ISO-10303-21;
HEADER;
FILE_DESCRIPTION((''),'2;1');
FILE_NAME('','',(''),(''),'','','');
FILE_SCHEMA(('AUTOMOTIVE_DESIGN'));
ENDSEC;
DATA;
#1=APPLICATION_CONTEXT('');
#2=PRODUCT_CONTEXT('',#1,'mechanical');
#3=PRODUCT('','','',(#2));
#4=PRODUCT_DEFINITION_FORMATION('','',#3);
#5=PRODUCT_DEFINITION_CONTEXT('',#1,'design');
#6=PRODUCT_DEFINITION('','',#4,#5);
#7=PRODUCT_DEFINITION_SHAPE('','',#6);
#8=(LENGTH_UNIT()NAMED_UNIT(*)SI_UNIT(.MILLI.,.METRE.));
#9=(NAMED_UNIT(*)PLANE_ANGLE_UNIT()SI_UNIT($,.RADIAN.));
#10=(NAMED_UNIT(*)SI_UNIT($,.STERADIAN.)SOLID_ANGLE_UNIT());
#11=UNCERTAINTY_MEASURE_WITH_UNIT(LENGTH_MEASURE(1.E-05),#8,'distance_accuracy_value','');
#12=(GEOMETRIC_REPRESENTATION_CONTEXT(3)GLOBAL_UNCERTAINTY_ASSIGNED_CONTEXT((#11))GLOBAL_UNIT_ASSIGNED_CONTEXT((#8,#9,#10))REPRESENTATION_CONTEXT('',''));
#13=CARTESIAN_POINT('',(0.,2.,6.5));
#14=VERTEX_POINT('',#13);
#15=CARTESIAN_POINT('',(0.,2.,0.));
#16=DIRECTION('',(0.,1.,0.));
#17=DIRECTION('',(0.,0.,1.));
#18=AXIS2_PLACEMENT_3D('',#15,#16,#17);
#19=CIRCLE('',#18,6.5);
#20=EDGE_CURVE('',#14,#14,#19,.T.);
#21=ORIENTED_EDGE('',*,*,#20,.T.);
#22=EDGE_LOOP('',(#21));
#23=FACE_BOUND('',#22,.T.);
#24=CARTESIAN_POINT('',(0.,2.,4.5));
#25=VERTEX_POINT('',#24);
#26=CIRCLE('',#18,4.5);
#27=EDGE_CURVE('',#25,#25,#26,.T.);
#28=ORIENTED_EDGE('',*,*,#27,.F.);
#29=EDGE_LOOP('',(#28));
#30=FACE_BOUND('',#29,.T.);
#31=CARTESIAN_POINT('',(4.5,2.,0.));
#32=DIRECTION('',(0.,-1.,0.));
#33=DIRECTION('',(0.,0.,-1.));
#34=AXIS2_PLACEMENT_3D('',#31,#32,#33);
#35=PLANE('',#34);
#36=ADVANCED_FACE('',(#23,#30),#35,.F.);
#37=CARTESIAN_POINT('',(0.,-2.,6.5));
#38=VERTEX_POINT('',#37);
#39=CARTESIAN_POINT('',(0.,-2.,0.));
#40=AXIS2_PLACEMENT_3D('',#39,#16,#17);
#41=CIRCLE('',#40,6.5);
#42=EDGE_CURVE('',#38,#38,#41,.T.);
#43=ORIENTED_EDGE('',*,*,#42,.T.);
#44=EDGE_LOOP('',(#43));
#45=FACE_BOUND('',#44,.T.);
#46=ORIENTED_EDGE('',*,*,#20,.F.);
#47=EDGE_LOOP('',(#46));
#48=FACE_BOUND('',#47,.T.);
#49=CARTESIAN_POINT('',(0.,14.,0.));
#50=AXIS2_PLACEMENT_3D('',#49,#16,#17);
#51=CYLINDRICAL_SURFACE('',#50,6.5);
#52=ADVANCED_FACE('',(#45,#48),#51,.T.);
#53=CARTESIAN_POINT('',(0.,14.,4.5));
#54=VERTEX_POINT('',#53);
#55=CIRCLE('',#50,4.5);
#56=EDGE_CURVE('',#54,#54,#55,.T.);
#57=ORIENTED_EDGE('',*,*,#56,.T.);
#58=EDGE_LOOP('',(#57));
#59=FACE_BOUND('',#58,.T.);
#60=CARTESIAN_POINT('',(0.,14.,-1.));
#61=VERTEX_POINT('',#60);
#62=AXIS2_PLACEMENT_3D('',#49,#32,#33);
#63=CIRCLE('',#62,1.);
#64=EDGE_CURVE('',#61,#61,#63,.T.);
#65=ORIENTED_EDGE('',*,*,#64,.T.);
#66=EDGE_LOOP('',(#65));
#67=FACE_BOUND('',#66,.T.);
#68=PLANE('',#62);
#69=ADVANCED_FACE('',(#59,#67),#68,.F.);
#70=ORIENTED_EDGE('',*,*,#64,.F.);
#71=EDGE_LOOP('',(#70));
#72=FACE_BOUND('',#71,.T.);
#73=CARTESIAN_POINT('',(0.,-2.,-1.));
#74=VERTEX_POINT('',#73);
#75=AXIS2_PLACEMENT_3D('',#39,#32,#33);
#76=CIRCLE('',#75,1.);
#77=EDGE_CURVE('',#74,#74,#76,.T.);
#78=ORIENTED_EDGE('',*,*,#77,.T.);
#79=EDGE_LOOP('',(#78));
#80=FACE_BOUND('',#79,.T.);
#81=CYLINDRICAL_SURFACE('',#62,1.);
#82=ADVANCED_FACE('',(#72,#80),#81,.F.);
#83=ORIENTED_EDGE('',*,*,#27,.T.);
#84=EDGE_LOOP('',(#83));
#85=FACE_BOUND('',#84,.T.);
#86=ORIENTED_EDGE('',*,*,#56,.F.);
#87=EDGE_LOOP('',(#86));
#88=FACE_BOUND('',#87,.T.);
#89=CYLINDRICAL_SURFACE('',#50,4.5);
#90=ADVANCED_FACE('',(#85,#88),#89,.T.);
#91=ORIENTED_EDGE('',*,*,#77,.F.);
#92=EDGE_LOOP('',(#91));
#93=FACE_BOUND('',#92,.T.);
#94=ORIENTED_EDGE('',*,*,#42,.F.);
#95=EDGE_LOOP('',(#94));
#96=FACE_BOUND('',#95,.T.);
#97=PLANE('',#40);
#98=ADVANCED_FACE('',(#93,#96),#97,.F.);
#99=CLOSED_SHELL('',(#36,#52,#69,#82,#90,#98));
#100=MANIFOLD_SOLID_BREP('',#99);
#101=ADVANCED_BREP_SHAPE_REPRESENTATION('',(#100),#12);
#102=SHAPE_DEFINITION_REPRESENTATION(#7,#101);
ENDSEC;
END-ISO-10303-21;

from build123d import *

# Parameters (mm, degrees)
SKETCH2_R          = 1
CUT_EXTRUDE1_DEPTH = 19.452642087


with BuildPart() as part:
    # Sketch1 → Revolve1 (revolve)
    with BuildSketch(Plane.XY, mode=Mode.PRIVATE) as revolve1_sk:
        Polygon((0, -2), (6.5, -2), (6.5, 2), (4.5, 2), (4.5, 14), (0, 14), align=None)
    revolve(revolve1_sk.sketch.rotate(Axis((0, 14, 0), (0, -1, 0)), 90), axis=Axis((0, 14, 0), (0, -1, 0)))

    # Sketch2 → Cut-Extrude1 (cut, through all)
    with BuildSketch(Plane.XZ.offset(2)):
        with Locations(Location((0, 0, 0), (0, 0, 270))):
            Circle(SKETCH2_R)
    extrude(amount=-CUT_EXTRUDE1_DEPTH, mode=Mode.SUBTRACT)


solid = part.part
